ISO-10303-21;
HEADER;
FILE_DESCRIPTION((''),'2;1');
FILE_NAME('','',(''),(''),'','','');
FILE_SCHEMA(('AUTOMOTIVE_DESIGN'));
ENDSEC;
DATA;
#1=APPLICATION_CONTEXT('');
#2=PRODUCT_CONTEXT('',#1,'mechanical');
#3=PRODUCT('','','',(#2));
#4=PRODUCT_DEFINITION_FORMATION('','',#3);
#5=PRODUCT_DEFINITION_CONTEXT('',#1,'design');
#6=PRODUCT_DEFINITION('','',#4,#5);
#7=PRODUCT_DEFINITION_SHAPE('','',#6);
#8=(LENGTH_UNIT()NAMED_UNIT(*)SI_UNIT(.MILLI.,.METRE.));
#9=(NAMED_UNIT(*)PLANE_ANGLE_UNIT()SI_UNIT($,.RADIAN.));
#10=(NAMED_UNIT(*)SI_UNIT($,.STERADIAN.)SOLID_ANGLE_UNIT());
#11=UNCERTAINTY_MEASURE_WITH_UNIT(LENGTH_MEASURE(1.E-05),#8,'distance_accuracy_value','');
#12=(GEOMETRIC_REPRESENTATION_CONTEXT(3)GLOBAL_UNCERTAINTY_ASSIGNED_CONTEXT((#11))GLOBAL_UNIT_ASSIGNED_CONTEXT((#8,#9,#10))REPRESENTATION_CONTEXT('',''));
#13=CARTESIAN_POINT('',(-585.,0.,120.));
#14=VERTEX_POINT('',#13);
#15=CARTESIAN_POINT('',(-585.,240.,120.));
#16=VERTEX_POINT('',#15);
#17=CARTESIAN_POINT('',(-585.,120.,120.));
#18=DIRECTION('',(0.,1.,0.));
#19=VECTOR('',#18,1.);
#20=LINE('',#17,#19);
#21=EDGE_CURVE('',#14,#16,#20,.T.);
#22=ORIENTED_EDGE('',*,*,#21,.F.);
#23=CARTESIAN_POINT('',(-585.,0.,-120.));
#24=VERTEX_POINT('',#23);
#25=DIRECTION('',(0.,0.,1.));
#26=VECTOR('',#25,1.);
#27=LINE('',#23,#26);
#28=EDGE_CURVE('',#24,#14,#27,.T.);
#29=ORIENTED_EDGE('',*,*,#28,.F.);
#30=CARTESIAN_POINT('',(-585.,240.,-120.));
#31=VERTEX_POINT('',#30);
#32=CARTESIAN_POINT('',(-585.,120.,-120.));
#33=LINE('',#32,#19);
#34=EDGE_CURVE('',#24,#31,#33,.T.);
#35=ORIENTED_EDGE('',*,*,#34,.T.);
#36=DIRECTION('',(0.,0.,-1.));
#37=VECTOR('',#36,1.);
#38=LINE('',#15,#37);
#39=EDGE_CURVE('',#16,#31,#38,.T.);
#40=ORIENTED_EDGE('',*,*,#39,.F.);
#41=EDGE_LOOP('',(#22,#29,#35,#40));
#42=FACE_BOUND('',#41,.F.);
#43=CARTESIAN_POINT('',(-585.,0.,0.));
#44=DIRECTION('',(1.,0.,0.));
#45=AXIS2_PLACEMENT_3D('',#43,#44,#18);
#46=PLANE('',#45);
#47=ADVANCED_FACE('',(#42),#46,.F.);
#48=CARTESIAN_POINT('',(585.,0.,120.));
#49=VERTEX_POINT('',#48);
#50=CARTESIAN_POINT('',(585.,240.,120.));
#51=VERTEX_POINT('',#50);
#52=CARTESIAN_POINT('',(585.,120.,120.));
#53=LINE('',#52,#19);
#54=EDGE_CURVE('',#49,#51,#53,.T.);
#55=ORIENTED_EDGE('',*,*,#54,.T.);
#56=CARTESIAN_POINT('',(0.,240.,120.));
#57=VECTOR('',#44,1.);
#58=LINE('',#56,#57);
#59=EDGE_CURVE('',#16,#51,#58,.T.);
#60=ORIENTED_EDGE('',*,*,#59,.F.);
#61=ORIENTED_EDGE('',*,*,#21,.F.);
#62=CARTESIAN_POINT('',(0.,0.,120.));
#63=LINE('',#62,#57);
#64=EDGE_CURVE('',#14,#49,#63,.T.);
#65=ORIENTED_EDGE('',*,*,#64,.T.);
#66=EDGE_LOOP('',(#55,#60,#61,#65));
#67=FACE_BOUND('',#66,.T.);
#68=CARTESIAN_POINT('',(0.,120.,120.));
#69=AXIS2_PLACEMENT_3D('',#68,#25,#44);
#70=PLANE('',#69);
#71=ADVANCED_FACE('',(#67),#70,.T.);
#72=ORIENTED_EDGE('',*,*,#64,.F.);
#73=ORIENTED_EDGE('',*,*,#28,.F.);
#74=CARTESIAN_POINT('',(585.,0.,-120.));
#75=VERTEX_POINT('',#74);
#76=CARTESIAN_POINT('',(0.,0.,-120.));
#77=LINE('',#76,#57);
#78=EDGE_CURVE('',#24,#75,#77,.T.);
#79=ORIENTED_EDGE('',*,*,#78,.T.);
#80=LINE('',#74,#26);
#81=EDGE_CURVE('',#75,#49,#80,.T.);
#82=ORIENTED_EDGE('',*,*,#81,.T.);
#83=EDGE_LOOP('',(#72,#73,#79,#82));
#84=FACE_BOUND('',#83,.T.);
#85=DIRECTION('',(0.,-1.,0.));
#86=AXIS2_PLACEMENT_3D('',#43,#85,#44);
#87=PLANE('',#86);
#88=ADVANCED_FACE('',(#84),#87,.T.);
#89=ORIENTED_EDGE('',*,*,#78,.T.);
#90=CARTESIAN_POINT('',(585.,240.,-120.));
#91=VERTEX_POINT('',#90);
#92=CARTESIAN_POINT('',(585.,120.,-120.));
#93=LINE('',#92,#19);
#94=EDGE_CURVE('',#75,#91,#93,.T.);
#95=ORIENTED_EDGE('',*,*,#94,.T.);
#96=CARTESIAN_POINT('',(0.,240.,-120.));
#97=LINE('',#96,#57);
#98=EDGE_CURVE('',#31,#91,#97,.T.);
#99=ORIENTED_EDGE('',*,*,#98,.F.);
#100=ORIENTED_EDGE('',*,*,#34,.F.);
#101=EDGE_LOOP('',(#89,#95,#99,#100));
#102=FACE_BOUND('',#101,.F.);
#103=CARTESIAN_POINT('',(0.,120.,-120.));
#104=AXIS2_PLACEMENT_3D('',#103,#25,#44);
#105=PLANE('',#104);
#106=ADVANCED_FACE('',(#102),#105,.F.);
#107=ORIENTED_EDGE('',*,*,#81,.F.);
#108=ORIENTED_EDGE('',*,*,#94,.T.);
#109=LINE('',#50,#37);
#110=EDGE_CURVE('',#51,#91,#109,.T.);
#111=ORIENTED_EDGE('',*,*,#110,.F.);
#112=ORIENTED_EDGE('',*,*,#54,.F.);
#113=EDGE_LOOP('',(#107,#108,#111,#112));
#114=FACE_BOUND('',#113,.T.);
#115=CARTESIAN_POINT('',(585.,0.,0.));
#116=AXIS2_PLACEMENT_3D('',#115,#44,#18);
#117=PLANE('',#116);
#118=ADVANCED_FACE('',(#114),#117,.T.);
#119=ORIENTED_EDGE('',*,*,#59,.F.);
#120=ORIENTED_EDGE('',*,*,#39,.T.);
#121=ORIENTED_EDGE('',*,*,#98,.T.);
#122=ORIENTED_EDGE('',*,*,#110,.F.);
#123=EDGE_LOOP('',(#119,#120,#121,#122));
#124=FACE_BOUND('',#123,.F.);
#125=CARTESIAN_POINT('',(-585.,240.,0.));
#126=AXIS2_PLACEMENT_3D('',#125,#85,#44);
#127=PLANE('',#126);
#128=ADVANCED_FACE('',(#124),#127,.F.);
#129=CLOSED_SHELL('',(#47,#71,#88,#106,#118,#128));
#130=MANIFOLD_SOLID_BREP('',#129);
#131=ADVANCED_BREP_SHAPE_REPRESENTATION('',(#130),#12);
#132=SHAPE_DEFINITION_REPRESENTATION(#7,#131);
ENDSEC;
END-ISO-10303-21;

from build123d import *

# Parameters (mm, degrees)
SKETCH1_W           = 1170
SKETCH1_H           = 240
BOSS_EXTRUDE1_DEPTH = 120


with BuildPart() as part:
    # Sketch1 → Boss-Extrude1 (new, symmetric)
    with BuildSketch(Plane.XY):
        with Locations((0, 120)):
            Rectangle(SKETCH1_W, SKETCH1_H)
    extrude(amount=BOSS_EXTRUDE1_DEPTH, both=True)


solid = part.part
